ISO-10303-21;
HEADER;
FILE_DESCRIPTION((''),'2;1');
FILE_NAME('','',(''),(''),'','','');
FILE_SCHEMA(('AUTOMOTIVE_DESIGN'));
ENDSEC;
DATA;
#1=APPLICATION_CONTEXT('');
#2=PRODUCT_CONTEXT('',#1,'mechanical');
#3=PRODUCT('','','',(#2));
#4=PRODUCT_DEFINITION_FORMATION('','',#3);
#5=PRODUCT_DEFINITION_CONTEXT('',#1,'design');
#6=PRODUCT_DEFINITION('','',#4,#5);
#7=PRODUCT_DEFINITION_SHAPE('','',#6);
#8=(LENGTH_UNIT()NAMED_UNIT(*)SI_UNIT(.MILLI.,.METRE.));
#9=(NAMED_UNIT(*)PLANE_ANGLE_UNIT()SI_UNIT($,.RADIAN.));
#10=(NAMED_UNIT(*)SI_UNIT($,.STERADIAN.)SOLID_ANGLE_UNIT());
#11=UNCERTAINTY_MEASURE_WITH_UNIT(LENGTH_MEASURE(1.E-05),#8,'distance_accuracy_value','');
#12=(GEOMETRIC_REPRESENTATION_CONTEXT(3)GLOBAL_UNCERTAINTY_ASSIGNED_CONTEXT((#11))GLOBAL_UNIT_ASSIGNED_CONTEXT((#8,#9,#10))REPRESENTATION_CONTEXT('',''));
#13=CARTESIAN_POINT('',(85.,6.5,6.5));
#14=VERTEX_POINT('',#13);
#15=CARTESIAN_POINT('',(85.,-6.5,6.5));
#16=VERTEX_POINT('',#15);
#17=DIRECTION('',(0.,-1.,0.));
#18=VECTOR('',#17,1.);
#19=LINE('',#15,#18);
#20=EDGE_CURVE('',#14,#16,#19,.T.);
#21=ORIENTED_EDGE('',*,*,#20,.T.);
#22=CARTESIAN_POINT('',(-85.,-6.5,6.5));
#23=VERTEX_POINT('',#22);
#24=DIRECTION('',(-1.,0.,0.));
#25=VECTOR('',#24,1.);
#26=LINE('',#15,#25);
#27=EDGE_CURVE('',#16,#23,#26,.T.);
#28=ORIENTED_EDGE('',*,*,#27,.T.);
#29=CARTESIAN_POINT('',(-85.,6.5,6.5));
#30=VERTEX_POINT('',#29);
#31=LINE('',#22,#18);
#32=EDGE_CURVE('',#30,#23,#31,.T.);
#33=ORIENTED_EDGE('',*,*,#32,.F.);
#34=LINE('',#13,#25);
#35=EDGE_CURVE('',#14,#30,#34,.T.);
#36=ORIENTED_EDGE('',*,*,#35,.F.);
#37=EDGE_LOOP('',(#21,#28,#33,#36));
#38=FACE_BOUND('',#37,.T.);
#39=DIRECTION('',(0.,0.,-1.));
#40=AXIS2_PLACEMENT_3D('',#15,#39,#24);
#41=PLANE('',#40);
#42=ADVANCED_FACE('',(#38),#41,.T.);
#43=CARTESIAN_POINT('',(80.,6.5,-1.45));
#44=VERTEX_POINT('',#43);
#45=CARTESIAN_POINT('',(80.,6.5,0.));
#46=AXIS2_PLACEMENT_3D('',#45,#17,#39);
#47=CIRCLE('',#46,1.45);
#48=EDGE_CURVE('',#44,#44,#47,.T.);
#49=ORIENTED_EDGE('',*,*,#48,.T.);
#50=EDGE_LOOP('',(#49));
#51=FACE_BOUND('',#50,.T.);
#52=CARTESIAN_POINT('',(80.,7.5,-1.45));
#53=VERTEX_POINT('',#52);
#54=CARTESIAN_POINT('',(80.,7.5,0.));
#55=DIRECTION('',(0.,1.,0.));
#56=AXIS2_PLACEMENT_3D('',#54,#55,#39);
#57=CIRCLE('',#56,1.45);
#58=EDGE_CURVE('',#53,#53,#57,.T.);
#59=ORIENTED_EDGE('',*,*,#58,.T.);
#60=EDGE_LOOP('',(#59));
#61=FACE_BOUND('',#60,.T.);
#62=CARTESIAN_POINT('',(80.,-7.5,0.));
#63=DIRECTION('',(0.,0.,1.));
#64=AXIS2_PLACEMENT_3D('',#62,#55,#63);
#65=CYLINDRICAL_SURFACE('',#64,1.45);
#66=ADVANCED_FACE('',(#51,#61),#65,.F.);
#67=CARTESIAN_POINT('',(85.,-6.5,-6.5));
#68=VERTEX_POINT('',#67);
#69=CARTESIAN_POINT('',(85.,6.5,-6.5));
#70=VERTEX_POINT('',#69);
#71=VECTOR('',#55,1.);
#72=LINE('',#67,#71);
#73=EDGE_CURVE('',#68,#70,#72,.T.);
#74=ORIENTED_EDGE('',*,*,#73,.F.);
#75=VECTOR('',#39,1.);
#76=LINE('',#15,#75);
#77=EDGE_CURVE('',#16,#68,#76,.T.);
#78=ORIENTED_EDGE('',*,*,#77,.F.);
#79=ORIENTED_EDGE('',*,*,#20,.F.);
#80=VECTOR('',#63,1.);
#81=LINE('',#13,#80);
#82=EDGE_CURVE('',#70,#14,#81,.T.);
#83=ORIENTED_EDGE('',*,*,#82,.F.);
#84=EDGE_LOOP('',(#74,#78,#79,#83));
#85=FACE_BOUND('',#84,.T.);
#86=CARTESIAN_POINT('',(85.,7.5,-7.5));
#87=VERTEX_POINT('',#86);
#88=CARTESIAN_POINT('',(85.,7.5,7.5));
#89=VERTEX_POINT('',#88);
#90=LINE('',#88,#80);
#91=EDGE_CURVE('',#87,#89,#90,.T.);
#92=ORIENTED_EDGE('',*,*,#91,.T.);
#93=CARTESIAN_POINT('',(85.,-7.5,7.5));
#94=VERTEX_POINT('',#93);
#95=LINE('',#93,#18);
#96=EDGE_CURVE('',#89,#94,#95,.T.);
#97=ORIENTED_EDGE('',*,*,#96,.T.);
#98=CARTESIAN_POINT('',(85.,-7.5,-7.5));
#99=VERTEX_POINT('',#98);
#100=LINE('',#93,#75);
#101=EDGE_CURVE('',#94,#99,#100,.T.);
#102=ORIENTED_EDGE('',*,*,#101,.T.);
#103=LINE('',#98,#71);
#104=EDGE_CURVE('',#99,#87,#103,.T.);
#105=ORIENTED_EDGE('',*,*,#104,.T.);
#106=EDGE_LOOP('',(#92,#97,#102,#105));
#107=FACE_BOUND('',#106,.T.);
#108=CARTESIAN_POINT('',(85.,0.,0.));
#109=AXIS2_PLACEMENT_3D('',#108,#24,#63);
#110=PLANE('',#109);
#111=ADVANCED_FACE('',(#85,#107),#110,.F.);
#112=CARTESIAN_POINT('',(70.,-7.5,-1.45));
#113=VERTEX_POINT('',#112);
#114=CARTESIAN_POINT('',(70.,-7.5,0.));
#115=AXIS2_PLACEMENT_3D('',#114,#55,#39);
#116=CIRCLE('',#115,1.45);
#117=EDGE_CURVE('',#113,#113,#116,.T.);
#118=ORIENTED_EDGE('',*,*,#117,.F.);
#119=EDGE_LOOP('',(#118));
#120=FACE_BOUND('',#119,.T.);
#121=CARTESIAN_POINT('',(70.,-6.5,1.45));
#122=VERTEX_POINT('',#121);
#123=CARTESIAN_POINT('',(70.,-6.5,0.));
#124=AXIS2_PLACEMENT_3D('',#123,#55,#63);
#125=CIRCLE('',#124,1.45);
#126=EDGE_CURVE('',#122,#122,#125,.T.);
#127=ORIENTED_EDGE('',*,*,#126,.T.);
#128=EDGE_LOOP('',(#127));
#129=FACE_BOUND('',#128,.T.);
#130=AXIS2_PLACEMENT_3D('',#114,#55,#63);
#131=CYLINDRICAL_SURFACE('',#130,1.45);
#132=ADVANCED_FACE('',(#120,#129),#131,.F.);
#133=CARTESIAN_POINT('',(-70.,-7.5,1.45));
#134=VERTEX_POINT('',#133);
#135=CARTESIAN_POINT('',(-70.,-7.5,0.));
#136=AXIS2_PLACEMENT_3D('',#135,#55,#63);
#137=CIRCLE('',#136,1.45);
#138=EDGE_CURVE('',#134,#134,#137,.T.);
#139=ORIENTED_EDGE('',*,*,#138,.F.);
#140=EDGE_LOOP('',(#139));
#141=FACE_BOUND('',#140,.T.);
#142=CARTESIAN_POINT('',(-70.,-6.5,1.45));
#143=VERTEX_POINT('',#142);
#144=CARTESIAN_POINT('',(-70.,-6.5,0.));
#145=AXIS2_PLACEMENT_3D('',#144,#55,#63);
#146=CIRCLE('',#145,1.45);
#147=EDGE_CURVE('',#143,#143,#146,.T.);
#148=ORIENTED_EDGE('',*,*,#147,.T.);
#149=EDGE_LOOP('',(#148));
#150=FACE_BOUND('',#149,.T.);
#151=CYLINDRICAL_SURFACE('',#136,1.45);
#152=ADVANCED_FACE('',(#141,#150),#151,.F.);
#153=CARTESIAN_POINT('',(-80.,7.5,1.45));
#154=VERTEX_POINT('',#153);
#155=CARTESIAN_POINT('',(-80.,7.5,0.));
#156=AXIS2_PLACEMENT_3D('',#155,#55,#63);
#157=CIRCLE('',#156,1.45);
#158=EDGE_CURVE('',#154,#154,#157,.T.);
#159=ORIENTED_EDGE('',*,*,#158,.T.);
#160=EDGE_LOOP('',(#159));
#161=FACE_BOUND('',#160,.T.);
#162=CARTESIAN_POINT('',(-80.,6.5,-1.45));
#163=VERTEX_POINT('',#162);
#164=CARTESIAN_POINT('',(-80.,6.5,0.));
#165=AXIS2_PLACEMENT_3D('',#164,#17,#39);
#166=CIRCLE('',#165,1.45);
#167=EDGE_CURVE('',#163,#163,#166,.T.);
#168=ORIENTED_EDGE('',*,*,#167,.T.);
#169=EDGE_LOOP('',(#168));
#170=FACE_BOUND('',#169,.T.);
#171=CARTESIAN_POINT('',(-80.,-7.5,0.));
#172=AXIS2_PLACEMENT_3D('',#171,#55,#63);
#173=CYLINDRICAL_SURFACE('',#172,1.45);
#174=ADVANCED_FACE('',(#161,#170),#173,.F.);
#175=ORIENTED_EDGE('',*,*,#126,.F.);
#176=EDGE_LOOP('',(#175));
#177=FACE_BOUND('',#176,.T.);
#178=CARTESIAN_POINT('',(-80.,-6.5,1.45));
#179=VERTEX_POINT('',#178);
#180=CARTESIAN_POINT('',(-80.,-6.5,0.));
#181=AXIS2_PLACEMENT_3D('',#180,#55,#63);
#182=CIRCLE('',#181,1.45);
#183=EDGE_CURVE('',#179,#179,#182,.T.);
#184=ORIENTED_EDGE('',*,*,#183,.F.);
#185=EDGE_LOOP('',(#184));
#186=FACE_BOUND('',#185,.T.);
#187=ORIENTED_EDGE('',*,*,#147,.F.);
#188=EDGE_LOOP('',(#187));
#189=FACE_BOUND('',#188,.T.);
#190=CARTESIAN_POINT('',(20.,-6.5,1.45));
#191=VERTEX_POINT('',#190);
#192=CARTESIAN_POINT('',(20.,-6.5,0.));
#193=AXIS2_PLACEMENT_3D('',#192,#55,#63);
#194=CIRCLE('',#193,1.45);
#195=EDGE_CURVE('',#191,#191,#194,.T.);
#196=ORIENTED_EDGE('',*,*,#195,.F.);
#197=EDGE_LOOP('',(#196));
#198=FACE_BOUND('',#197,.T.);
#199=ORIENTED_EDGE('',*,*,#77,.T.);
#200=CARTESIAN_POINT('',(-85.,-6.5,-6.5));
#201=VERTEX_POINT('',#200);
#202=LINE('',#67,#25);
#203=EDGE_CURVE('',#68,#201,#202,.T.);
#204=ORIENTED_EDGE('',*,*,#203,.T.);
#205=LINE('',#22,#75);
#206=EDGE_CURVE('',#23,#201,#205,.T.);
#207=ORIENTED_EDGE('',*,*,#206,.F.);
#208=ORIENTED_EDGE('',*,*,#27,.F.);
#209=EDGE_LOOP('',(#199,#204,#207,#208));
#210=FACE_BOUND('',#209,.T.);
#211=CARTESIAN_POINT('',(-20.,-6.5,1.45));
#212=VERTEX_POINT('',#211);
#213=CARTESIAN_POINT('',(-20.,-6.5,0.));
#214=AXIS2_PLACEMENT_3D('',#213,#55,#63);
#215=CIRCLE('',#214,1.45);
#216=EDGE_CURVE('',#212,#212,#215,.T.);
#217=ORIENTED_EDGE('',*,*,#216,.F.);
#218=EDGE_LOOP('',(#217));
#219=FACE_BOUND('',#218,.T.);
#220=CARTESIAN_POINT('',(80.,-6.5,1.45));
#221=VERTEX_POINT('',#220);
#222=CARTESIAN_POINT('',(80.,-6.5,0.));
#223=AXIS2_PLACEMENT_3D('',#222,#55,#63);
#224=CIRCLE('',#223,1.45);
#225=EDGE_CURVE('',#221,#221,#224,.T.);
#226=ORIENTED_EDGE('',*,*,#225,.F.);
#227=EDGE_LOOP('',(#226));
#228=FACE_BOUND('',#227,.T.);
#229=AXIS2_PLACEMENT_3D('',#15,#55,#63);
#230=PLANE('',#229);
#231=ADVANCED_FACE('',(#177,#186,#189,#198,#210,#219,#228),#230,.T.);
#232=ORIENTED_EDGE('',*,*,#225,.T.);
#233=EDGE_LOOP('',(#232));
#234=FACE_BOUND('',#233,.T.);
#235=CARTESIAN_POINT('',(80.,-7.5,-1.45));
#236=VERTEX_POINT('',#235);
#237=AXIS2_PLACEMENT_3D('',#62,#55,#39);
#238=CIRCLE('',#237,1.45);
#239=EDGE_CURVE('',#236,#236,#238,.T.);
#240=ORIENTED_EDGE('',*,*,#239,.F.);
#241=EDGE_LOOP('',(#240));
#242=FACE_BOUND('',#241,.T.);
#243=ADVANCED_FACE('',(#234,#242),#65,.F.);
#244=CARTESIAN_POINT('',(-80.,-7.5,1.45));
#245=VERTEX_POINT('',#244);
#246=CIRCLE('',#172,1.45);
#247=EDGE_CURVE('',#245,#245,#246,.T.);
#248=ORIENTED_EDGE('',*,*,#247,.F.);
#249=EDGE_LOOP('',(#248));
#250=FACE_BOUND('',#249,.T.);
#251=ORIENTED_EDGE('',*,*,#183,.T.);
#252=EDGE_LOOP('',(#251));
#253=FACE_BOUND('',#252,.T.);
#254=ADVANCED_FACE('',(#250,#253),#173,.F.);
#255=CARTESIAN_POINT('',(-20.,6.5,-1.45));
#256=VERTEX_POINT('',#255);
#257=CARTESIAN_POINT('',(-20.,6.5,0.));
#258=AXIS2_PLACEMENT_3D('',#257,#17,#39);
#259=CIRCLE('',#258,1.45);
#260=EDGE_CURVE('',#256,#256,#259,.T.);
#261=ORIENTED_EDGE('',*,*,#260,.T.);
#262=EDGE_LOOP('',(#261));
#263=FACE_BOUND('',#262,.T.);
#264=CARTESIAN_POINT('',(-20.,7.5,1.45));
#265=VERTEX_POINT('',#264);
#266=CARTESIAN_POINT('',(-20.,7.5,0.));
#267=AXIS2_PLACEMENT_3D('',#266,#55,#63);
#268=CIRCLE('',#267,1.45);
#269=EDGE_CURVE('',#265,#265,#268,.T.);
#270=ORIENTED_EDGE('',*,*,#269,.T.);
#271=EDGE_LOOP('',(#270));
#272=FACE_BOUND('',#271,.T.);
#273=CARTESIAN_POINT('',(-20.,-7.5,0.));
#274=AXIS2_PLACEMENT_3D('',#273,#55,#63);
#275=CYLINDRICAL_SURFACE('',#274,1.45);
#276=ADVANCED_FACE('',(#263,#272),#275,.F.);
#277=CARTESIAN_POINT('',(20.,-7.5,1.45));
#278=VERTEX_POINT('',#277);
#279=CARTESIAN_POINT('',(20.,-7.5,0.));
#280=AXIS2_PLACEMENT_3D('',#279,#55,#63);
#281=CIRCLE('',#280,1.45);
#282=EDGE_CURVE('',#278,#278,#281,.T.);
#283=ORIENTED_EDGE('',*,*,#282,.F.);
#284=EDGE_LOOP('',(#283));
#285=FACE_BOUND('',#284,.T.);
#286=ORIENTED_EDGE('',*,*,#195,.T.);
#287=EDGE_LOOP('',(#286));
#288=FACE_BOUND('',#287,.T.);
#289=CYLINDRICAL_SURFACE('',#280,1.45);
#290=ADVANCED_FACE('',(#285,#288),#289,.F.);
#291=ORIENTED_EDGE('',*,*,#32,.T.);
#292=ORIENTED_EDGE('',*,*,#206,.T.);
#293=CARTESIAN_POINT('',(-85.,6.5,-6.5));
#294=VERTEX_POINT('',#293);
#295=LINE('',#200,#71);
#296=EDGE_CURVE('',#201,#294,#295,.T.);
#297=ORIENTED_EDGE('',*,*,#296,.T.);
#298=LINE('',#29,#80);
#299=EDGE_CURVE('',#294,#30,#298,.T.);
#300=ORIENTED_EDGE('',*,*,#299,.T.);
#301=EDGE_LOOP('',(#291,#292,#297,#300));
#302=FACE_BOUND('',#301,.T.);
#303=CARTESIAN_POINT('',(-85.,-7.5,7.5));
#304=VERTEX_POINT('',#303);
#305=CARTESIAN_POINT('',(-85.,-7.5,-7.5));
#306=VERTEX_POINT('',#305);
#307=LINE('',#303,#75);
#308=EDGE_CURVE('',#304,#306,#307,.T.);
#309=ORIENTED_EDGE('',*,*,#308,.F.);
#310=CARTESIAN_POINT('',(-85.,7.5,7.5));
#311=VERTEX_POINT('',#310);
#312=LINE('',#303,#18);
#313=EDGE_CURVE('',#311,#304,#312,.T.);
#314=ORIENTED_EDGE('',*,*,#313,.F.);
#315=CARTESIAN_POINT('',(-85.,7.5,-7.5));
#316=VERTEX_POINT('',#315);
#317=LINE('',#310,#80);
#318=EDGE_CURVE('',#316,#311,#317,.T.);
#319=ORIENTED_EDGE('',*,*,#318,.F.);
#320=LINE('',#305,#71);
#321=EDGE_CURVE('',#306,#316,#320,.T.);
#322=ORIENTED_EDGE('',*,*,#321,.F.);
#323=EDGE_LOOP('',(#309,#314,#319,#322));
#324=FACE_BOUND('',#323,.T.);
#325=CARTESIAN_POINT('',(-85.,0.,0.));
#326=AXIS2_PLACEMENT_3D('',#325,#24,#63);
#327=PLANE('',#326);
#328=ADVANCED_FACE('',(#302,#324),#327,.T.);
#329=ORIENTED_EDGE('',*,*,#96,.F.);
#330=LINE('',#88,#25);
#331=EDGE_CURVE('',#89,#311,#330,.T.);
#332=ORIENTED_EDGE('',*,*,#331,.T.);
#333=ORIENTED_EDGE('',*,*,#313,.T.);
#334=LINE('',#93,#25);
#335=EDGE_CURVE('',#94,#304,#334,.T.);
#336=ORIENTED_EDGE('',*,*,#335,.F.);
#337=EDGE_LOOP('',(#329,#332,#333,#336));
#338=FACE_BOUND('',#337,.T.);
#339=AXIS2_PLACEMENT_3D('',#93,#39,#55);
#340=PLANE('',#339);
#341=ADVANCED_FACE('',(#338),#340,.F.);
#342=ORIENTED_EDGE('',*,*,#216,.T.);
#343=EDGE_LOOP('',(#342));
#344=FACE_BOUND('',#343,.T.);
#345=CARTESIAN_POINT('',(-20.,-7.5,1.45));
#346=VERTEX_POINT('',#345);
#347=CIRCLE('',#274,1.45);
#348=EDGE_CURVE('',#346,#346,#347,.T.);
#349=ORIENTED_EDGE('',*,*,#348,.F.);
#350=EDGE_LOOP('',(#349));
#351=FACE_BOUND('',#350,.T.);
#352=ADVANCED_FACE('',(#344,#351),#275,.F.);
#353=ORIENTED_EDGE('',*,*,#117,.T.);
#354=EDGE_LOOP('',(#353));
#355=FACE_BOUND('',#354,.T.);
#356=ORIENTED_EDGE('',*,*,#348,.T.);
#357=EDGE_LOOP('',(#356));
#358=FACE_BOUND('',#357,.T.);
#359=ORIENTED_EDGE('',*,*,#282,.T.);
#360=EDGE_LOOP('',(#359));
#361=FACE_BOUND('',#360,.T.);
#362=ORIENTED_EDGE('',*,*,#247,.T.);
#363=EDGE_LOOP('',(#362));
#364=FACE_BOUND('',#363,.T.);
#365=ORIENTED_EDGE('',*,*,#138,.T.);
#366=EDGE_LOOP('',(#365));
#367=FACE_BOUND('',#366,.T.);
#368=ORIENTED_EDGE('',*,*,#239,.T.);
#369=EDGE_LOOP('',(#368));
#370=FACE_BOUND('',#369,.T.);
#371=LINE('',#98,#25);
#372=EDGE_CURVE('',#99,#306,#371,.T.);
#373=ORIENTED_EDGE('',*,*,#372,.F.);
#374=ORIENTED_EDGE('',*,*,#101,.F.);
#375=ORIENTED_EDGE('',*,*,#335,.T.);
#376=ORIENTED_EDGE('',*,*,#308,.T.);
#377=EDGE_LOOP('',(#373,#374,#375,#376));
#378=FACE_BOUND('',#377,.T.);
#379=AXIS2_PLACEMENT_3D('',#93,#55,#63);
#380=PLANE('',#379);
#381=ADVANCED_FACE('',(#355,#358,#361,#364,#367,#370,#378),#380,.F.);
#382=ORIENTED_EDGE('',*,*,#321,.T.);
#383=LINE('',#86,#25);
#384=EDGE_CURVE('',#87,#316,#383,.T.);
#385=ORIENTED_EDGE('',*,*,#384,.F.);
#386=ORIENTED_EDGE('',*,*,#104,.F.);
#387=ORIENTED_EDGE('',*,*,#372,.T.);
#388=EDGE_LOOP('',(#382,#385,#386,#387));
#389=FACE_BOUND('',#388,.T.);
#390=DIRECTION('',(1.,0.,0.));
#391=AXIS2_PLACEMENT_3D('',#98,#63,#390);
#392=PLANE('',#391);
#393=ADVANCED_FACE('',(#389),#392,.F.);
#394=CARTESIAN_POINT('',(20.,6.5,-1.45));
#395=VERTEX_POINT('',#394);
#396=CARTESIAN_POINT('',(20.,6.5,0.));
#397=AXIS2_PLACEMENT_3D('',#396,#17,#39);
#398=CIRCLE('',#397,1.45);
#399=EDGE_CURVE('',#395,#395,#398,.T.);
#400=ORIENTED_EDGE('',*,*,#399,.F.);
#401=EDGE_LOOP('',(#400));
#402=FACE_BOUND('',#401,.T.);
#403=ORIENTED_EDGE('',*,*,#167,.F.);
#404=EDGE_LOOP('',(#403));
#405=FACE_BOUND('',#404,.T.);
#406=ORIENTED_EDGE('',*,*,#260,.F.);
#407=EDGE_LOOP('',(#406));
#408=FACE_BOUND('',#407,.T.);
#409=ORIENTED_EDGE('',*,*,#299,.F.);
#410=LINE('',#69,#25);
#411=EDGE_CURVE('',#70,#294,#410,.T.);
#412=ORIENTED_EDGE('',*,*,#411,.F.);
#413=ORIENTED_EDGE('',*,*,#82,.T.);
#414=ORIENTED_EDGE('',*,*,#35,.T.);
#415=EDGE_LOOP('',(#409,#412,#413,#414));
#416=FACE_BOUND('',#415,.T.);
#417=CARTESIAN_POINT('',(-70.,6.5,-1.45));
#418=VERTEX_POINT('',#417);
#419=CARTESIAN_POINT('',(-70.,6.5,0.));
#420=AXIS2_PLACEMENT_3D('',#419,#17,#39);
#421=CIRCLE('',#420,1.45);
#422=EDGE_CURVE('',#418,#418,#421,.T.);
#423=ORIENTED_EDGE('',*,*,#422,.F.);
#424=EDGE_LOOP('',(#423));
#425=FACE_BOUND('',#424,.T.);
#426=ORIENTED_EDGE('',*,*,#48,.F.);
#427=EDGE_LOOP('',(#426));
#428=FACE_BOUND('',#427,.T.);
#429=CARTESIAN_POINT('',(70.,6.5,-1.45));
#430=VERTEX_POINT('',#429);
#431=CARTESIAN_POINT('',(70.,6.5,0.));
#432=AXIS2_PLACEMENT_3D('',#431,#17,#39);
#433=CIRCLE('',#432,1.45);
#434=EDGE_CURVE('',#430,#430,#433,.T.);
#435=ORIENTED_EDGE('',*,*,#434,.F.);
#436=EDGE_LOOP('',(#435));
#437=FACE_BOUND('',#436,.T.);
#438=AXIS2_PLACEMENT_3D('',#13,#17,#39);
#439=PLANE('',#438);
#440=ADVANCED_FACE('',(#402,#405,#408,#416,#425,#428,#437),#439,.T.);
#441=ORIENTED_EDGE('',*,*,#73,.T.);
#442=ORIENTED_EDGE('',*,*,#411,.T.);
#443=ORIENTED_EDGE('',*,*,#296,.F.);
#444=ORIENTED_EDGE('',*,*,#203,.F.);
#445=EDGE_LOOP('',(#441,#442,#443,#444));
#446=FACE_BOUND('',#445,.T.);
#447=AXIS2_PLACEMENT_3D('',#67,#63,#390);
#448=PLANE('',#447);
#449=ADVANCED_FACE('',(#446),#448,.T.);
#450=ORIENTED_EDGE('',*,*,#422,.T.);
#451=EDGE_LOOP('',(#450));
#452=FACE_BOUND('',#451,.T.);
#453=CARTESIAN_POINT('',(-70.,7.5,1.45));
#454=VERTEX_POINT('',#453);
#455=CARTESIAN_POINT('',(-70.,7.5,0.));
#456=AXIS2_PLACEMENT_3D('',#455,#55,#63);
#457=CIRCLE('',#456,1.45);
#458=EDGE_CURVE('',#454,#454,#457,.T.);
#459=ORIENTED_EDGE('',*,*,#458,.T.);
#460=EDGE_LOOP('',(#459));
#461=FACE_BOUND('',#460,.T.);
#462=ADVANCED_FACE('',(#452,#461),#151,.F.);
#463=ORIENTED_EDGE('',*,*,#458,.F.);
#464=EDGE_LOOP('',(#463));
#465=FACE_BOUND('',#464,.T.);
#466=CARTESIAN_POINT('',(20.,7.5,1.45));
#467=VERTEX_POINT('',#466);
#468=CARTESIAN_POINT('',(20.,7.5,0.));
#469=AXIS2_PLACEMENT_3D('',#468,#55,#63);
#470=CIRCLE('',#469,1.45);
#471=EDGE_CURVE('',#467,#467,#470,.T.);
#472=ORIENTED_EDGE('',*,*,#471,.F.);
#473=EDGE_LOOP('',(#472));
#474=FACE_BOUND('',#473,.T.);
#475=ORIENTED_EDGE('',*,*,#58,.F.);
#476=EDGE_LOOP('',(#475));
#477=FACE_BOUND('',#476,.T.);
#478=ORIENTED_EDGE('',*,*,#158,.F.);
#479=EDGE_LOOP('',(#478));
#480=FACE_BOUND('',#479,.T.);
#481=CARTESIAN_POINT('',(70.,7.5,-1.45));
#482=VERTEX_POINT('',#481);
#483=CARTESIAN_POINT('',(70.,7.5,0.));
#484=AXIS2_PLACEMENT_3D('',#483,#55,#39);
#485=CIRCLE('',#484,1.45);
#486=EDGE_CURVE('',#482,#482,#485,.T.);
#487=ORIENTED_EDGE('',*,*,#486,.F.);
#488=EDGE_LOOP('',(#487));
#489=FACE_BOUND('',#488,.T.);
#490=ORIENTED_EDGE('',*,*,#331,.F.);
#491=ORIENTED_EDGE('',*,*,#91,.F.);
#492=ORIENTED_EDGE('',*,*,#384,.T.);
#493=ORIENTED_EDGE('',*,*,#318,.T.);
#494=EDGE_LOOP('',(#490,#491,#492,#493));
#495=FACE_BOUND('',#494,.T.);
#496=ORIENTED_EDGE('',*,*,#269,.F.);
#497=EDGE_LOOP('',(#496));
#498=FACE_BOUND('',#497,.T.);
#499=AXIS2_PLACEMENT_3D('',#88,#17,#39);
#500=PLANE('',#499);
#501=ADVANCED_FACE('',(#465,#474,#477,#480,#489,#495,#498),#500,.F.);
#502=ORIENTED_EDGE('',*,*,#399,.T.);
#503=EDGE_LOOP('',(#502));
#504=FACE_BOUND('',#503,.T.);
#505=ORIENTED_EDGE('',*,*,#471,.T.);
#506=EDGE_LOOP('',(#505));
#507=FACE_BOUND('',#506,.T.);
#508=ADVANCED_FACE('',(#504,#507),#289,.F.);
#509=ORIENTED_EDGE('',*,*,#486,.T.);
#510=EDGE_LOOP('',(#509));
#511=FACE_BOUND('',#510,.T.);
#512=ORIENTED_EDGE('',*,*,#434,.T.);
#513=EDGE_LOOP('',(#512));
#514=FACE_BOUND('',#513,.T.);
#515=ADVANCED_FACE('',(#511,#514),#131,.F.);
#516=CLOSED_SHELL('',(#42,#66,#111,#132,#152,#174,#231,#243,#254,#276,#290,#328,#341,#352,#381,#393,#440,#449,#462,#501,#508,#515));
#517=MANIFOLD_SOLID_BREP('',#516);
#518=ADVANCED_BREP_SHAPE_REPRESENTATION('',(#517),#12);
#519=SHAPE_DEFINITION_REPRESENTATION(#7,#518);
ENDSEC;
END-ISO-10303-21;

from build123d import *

# Parameters (mm, degrees)
SKETCH_11_W         = 15
SKETCH_11_H         = 15
SKETCH_11_W_2       = 13
SKETCH_11_H_2       = 13
F_15X15X1_1_DEPTH   = 170
SKETCH_13_R         = 1.45
CUT_EXTRUDE_2_DEPTH = 87.638617256
SKETCH_14_R         = 1.45
CUT_EXTRUDE_3_DEPTH = 87.638617256


with BuildPart() as part:
    # 草图11 → 铝管 15X15X1(1) (new body)
    with BuildSketch(Plane(origin=(-85, 0, 0), x_dir=(0, 0, -1), z_dir=(1, 0, 0))):
        Rectangle(SKETCH_11_W, SKETCH_11_H)
        Rectangle(SKETCH_11_W_2, SKETCH_11_H_2, mode=Mode.SUBTRACT)
    extrude(amount=F_15X15X1_1_DEPTH)

    # 草图13 → 切除-拉伸2 (cut, through all)
    with BuildSketch(Plane(origin=(0, 7.5, 0), x_dir=(1, 0, 0), z_dir=(0, 1, 0))):
        with Locations(Location((-80, 0, 0), (0, 0, 270))):
            Circle(SKETCH_13_R)
        with Locations(Location((-70, 0, 0), (0, 0, 270))):
            Circle(SKETCH_13_R)
        with Locations(Location((70, 0, 0), (0, 0, 90))):
            Circle(SKETCH_13_R)
        with Locations(Location((80, 0, 0), (0, 0, 90))):
            Circle(SKETCH_13_R)
    extrude(amount=-CUT_EXTRUDE_2_DEPTH, mode=Mode.SUBTRACT)

    # 草图14 → 切除-拉伸3 (cut, through all)
    with BuildSketch(Plane(origin=(0, 7.5, 0), x_dir=(1, 0, 0), z_dir=(0, 1, 0))):
        with Locations(Location((-20, 0, 0), (0, 0, 270))):
            Circle(SKETCH_14_R)
        with Locations(Location((20, 0, 0), (0, 0, 270))):
            Circle(SKETCH_14_R)
    extrude(amount=-CUT_EXTRUDE_3_DEPTH, mode=Mode.SUBTRACT)


solid = part.part
